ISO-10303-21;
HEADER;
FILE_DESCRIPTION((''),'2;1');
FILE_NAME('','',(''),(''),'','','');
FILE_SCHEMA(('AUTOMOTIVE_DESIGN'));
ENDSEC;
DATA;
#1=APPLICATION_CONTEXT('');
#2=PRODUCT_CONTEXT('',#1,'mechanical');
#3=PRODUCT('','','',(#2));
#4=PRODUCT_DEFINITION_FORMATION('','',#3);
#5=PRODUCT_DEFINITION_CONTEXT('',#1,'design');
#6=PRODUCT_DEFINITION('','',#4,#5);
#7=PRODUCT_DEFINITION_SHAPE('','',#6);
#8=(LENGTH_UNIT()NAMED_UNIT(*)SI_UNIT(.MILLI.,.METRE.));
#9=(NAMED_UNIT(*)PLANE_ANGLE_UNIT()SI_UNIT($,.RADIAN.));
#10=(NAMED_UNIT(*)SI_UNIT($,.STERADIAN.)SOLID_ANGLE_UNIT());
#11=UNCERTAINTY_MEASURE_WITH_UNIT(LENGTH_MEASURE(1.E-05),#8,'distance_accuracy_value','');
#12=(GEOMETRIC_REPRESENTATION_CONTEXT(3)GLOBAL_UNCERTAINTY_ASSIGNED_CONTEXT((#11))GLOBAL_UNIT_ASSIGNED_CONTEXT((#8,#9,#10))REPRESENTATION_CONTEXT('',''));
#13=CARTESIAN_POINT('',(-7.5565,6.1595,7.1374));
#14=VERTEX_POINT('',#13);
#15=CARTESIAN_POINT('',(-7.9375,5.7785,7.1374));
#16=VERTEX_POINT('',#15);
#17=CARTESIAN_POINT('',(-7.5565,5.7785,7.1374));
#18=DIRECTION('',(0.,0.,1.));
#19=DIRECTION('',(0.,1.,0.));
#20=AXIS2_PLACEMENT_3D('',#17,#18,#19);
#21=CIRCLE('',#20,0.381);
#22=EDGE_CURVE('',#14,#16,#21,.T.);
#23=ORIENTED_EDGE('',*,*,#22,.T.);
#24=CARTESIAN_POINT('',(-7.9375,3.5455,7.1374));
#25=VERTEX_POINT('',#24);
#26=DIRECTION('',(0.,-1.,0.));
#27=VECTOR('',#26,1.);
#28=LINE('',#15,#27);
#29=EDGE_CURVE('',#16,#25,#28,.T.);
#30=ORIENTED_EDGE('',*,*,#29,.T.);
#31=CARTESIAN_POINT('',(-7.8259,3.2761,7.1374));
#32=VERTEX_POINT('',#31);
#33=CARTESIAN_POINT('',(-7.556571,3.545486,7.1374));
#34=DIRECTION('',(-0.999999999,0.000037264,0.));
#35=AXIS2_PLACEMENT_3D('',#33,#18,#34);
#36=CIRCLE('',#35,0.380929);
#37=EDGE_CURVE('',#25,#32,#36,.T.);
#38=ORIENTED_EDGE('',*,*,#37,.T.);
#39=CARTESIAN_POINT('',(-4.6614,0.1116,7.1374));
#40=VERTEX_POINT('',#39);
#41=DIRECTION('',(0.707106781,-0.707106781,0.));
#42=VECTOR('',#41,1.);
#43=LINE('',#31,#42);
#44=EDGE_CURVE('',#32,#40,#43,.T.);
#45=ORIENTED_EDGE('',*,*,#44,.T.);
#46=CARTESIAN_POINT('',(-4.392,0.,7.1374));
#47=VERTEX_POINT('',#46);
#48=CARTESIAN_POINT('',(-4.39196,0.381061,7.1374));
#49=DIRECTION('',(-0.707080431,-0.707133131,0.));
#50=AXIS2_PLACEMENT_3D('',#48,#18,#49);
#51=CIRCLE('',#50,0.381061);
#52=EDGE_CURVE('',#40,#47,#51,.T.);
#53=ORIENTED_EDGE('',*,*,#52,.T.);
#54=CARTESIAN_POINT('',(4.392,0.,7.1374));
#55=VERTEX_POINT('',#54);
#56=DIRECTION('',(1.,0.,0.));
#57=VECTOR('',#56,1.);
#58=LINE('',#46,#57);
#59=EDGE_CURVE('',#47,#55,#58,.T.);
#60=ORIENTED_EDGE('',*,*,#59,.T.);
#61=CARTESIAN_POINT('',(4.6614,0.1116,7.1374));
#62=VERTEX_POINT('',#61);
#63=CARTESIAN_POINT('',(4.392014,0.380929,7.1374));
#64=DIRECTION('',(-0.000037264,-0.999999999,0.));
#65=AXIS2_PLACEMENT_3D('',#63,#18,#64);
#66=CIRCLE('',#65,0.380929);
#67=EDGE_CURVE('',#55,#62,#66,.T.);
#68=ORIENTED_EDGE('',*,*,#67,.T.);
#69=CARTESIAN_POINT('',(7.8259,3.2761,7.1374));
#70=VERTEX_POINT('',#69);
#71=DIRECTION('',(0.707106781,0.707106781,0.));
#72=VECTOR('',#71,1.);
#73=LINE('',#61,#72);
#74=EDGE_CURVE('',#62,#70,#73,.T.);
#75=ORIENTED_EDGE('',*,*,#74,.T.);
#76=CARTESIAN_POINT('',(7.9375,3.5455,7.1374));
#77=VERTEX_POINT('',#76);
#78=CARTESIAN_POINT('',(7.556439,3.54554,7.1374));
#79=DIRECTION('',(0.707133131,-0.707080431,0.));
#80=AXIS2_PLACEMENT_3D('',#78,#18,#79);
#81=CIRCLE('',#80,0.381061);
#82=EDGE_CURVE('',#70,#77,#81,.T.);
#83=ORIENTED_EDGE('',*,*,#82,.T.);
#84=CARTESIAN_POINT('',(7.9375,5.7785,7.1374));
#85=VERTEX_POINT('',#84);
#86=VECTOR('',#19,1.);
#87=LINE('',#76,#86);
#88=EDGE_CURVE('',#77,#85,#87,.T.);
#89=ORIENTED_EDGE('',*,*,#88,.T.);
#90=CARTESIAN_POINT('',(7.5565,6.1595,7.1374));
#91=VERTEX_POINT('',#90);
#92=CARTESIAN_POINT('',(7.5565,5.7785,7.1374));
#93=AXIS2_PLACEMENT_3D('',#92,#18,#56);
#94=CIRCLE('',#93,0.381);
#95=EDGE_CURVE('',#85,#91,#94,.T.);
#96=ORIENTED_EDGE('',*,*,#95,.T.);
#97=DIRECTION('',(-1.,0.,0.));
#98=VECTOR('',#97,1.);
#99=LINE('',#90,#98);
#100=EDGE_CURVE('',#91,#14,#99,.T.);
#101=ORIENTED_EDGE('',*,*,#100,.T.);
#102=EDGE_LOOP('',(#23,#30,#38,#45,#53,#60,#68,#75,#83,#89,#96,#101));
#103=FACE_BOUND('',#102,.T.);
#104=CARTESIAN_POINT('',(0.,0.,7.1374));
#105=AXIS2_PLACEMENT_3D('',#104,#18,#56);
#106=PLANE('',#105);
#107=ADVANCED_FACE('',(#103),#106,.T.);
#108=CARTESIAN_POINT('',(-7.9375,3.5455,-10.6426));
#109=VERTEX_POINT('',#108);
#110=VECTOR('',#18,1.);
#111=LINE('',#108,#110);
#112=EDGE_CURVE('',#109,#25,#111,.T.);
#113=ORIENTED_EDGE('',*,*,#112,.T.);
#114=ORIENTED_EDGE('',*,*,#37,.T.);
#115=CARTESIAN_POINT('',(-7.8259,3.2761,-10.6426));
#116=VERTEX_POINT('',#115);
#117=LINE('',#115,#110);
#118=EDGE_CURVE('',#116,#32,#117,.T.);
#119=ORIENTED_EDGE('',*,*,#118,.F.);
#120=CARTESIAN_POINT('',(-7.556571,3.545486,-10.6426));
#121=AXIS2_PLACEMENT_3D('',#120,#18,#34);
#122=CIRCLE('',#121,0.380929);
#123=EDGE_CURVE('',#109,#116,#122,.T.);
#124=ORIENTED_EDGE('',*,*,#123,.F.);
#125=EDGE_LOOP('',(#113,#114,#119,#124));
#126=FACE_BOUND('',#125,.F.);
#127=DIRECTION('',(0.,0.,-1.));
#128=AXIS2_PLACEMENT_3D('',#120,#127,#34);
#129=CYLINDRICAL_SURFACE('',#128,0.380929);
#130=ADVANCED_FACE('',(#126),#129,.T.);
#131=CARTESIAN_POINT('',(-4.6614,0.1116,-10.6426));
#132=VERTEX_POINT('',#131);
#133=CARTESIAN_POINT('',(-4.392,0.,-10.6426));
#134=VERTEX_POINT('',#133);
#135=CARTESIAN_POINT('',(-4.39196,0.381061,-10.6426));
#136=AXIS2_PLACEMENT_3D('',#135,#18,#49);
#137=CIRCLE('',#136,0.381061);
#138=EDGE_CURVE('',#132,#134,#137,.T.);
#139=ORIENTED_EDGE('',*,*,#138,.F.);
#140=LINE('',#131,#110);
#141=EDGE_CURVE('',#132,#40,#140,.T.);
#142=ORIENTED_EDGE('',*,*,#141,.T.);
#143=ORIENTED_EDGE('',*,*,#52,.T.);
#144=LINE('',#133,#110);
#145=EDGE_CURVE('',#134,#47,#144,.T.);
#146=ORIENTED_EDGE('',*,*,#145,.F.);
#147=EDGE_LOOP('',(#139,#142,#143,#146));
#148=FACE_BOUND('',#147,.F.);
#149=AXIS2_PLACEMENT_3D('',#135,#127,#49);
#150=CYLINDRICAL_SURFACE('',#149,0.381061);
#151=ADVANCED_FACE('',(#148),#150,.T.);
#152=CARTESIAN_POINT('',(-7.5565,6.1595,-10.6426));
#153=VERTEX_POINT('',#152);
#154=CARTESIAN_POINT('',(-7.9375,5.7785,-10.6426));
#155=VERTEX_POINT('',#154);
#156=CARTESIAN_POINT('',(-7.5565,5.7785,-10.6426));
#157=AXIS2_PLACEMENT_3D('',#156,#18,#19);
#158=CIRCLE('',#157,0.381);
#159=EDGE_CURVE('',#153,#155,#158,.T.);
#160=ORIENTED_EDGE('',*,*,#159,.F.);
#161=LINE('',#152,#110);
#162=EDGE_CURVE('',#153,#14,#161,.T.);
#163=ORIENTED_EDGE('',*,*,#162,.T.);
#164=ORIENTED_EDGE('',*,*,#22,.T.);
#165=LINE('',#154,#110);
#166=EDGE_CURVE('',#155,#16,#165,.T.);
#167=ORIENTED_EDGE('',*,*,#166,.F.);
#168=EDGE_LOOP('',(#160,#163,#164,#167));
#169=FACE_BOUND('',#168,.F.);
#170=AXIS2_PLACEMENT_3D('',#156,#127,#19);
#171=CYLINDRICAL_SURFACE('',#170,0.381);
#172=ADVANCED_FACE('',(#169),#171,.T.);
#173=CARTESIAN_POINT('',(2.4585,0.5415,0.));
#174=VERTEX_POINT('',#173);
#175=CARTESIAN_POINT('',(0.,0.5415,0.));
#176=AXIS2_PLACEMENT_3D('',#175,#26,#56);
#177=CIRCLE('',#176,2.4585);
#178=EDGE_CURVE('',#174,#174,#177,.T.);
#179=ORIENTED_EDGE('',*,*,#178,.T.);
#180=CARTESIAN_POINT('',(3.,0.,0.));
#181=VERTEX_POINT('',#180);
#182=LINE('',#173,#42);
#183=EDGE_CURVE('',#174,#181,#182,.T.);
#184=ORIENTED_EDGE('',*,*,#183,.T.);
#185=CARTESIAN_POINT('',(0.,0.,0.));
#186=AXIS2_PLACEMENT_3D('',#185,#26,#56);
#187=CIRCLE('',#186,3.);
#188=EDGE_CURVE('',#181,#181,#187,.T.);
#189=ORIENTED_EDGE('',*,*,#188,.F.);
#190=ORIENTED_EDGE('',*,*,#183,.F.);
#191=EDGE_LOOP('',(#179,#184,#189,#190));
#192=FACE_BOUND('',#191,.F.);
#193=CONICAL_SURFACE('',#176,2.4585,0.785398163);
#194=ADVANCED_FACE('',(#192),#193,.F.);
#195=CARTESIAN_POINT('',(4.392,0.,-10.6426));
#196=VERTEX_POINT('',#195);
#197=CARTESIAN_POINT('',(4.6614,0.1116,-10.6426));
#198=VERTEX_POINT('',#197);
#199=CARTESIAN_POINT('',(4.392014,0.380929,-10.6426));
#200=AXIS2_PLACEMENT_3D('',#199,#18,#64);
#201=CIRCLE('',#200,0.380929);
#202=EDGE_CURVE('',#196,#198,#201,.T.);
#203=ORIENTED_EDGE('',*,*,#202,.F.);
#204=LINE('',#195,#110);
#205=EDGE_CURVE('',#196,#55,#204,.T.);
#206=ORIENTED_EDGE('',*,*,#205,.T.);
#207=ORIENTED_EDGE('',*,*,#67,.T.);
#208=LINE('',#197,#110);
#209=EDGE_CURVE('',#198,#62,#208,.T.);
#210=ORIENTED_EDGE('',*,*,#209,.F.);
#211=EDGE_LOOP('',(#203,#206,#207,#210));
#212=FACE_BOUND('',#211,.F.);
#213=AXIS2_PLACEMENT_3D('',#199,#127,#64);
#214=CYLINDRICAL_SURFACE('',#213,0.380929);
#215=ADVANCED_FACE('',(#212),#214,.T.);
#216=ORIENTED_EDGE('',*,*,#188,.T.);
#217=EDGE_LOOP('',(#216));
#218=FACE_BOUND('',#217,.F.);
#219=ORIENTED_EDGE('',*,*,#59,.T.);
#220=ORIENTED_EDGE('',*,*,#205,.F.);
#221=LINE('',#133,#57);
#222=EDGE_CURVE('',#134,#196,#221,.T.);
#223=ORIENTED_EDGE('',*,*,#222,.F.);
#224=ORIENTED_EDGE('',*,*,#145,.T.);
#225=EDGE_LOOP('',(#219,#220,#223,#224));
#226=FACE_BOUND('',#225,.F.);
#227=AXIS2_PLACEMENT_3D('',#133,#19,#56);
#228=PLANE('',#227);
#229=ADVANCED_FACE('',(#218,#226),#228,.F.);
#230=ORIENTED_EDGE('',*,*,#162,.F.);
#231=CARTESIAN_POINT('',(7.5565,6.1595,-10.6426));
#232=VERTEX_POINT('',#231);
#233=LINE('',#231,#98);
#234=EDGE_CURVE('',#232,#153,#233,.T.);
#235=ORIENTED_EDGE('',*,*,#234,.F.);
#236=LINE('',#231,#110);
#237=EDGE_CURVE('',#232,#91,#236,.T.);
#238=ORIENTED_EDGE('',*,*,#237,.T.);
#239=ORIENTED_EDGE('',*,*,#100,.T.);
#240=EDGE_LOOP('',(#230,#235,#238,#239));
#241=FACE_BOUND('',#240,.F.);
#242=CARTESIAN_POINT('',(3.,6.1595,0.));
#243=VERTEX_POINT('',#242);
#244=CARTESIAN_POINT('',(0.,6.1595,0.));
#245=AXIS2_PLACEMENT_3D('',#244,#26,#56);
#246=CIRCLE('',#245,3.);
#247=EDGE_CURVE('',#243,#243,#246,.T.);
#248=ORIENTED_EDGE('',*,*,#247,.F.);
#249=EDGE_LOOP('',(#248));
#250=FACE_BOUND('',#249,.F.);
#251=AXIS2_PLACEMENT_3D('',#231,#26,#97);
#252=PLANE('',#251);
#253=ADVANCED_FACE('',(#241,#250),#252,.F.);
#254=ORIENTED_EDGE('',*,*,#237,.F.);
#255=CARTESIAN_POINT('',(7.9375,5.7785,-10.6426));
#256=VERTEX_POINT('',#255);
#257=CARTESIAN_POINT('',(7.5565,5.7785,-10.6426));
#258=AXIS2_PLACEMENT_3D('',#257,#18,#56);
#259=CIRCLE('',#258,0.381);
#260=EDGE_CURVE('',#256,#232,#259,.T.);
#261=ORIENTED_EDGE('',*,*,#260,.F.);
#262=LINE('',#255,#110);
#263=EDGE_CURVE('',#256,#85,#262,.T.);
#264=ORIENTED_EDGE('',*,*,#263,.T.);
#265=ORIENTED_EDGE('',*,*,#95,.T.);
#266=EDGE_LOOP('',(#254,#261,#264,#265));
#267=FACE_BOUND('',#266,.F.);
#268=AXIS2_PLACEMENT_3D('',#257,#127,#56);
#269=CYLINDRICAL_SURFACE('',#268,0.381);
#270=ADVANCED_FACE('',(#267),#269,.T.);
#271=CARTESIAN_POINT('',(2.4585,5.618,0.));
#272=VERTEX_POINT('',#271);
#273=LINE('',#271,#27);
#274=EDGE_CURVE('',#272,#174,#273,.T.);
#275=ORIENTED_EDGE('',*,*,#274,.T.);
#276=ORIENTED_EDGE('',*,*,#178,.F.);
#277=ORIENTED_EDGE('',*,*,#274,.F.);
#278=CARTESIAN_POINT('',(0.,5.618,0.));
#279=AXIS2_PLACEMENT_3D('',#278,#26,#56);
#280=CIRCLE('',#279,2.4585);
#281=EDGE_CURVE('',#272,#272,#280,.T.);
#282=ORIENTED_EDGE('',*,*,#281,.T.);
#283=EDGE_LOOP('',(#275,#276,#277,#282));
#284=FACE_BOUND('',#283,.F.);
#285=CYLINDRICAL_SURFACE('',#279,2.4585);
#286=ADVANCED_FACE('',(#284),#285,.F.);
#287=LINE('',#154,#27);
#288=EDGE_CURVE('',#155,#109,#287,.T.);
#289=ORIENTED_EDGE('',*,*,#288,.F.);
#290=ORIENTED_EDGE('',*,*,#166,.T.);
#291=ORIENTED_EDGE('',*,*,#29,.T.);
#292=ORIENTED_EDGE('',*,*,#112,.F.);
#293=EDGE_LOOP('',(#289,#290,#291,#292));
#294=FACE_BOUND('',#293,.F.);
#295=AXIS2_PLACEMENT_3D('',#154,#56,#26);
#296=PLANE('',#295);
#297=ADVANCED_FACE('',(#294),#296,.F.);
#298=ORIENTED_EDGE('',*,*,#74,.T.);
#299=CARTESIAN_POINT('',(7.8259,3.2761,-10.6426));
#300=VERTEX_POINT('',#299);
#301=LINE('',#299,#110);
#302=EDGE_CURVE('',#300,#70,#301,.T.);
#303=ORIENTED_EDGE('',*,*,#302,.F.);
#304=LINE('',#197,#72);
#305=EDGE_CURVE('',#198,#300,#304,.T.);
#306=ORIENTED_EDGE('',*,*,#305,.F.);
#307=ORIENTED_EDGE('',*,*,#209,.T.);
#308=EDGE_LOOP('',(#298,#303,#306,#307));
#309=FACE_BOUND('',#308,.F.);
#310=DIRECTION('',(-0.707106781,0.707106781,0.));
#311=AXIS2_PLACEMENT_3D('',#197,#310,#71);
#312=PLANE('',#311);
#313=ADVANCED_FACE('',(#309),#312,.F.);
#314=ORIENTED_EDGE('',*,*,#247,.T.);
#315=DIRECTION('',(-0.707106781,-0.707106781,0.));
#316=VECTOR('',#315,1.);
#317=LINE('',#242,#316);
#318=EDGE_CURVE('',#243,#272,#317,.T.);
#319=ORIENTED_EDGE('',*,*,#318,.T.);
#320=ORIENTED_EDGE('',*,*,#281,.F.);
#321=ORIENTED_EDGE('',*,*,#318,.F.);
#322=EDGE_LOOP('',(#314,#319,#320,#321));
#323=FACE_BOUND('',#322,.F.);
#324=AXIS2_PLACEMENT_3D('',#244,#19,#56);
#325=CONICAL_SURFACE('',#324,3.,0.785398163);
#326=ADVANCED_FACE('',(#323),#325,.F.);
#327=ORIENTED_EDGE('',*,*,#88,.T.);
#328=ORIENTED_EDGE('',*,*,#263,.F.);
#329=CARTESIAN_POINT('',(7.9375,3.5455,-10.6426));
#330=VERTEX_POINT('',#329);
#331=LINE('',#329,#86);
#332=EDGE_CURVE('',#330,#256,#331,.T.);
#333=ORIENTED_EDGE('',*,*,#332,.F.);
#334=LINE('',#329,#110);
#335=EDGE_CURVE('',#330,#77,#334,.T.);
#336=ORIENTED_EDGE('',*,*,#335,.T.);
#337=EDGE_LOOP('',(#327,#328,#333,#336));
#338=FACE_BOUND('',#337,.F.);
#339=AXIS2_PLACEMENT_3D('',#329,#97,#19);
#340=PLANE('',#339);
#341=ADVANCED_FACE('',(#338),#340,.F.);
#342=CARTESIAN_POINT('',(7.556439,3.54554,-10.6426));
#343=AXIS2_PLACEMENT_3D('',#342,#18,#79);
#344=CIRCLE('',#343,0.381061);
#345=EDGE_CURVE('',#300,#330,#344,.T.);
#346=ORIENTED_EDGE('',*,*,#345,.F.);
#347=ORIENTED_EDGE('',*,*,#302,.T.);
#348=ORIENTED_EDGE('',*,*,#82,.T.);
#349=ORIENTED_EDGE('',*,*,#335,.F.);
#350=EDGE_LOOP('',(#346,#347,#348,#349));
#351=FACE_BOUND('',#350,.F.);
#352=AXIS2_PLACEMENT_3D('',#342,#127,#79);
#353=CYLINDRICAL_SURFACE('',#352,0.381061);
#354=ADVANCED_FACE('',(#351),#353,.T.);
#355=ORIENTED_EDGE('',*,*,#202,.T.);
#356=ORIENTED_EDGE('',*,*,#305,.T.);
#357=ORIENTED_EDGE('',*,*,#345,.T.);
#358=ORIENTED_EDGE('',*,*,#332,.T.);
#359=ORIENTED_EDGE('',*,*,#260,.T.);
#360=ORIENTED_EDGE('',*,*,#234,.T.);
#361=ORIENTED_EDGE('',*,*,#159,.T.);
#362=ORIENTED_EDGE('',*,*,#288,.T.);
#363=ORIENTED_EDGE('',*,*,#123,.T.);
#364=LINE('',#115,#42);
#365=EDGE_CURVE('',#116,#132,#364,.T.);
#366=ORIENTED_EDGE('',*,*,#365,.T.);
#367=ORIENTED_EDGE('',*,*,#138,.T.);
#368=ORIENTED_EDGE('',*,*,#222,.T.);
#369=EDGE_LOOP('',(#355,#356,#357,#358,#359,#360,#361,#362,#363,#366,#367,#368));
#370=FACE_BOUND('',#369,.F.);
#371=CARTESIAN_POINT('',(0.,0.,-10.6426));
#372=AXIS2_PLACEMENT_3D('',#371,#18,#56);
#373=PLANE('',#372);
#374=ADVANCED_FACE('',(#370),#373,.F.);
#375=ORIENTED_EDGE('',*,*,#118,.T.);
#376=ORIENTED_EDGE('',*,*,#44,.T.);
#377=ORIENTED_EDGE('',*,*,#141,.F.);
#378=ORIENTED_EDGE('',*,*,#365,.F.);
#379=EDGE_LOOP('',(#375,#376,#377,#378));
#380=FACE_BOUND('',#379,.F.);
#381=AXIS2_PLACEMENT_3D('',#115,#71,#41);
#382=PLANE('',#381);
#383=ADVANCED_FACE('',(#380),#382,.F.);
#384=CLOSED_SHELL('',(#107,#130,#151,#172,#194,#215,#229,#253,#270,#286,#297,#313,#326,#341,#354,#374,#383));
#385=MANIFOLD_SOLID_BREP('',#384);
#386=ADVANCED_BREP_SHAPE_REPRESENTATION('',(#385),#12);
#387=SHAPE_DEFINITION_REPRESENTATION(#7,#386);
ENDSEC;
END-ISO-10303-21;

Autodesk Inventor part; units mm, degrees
sketch "Sketch_1" plane through (0, 0, -10.6426) normal (0, 0, 1) x (1, 0, 0)
  line L0 (-7.9375, 5.7785) -> (-7.9375, 3.5455)
  arc A0 (-7.9375, 3.5455) -> (-7.8259, 3.2761) centre (-7.5565, 3.5455) ccw
  line L1 (-7.8259, 3.2761) -> (-4.6614, 0.1116)
  arc A1 (-4.6614, 0.1116) -> (-4.392, 0) centre (-4.392, 0.381) ccw
  line L2 (-4.392, 0) -> (4.392, 0)
  arc A2 (4.392, 0) -> (4.6614, 0.1116) centre (4.392, 0.381) ccw
  line L3 (4.6614, 0.1116) -> (7.8259, 3.2761)
  arc A3 (7.8259, 3.2761) -> (7.9375, 3.5455) centre (7.5565, 3.5455) ccw
  line L4 (7.9375, 3.5455) -> (7.9375, 5.7785)
  arc A4 (7.9375, 5.7785) -> (7.5565, 6.1595) centre (7.5565, 5.7785) ccw
  line L5 (7.5565, 6.1595) -> (-7.5565, 6.1595)
  arc A5 (-7.5565, 6.1595) -> (-7.9375, 5.7785) centre (-7.5565, 5.7785) ccw
extrude "Extrusion1" add sketch "Sketch_1" along normal blind 17.78
sketch "Sketch_4" plane through (0, 0, 0) normal (0, 0, 1) x (1, 0, 0)
  line L0 (0, 0) -> (0, 6.1595)
  line L1 (0, 6.1595) -> (3, 6.1595)
  line L2 (3, 6.1595) -> (2.4585, 5.618)
  line L3 (2.4585, 5.618) -> (2.4585, 0.5415)
  line L4 (2.4585, 0.5415) -> (3, 0)
  line L5 (3, 0) -> (0, 0)
  line L6 (0, 0) -> (0, 6.1595)
revolve "Revolution1" cut sketch "Sketch_4" angle 360 about axis through (0, 0, 0) along (0, -1, 0)
thread "Thread1" size "M6x1" class "6H" standard "ISO Metric profile" full length
ref_plane "tnut_XY" through (0, 6.1595, 0) normal (0, 1, 0) x (1, 0, 0)
ref_plane "tnut_YZ" through (0, 6.1595, 0) normal (1, 0, 0) x (0, 0, -1)
ref_plane "tnut_ZX" through (0, 6.1595, 0) normal (0, 0, -1) x (0, 1, 0)
properties part number "40-1964"
